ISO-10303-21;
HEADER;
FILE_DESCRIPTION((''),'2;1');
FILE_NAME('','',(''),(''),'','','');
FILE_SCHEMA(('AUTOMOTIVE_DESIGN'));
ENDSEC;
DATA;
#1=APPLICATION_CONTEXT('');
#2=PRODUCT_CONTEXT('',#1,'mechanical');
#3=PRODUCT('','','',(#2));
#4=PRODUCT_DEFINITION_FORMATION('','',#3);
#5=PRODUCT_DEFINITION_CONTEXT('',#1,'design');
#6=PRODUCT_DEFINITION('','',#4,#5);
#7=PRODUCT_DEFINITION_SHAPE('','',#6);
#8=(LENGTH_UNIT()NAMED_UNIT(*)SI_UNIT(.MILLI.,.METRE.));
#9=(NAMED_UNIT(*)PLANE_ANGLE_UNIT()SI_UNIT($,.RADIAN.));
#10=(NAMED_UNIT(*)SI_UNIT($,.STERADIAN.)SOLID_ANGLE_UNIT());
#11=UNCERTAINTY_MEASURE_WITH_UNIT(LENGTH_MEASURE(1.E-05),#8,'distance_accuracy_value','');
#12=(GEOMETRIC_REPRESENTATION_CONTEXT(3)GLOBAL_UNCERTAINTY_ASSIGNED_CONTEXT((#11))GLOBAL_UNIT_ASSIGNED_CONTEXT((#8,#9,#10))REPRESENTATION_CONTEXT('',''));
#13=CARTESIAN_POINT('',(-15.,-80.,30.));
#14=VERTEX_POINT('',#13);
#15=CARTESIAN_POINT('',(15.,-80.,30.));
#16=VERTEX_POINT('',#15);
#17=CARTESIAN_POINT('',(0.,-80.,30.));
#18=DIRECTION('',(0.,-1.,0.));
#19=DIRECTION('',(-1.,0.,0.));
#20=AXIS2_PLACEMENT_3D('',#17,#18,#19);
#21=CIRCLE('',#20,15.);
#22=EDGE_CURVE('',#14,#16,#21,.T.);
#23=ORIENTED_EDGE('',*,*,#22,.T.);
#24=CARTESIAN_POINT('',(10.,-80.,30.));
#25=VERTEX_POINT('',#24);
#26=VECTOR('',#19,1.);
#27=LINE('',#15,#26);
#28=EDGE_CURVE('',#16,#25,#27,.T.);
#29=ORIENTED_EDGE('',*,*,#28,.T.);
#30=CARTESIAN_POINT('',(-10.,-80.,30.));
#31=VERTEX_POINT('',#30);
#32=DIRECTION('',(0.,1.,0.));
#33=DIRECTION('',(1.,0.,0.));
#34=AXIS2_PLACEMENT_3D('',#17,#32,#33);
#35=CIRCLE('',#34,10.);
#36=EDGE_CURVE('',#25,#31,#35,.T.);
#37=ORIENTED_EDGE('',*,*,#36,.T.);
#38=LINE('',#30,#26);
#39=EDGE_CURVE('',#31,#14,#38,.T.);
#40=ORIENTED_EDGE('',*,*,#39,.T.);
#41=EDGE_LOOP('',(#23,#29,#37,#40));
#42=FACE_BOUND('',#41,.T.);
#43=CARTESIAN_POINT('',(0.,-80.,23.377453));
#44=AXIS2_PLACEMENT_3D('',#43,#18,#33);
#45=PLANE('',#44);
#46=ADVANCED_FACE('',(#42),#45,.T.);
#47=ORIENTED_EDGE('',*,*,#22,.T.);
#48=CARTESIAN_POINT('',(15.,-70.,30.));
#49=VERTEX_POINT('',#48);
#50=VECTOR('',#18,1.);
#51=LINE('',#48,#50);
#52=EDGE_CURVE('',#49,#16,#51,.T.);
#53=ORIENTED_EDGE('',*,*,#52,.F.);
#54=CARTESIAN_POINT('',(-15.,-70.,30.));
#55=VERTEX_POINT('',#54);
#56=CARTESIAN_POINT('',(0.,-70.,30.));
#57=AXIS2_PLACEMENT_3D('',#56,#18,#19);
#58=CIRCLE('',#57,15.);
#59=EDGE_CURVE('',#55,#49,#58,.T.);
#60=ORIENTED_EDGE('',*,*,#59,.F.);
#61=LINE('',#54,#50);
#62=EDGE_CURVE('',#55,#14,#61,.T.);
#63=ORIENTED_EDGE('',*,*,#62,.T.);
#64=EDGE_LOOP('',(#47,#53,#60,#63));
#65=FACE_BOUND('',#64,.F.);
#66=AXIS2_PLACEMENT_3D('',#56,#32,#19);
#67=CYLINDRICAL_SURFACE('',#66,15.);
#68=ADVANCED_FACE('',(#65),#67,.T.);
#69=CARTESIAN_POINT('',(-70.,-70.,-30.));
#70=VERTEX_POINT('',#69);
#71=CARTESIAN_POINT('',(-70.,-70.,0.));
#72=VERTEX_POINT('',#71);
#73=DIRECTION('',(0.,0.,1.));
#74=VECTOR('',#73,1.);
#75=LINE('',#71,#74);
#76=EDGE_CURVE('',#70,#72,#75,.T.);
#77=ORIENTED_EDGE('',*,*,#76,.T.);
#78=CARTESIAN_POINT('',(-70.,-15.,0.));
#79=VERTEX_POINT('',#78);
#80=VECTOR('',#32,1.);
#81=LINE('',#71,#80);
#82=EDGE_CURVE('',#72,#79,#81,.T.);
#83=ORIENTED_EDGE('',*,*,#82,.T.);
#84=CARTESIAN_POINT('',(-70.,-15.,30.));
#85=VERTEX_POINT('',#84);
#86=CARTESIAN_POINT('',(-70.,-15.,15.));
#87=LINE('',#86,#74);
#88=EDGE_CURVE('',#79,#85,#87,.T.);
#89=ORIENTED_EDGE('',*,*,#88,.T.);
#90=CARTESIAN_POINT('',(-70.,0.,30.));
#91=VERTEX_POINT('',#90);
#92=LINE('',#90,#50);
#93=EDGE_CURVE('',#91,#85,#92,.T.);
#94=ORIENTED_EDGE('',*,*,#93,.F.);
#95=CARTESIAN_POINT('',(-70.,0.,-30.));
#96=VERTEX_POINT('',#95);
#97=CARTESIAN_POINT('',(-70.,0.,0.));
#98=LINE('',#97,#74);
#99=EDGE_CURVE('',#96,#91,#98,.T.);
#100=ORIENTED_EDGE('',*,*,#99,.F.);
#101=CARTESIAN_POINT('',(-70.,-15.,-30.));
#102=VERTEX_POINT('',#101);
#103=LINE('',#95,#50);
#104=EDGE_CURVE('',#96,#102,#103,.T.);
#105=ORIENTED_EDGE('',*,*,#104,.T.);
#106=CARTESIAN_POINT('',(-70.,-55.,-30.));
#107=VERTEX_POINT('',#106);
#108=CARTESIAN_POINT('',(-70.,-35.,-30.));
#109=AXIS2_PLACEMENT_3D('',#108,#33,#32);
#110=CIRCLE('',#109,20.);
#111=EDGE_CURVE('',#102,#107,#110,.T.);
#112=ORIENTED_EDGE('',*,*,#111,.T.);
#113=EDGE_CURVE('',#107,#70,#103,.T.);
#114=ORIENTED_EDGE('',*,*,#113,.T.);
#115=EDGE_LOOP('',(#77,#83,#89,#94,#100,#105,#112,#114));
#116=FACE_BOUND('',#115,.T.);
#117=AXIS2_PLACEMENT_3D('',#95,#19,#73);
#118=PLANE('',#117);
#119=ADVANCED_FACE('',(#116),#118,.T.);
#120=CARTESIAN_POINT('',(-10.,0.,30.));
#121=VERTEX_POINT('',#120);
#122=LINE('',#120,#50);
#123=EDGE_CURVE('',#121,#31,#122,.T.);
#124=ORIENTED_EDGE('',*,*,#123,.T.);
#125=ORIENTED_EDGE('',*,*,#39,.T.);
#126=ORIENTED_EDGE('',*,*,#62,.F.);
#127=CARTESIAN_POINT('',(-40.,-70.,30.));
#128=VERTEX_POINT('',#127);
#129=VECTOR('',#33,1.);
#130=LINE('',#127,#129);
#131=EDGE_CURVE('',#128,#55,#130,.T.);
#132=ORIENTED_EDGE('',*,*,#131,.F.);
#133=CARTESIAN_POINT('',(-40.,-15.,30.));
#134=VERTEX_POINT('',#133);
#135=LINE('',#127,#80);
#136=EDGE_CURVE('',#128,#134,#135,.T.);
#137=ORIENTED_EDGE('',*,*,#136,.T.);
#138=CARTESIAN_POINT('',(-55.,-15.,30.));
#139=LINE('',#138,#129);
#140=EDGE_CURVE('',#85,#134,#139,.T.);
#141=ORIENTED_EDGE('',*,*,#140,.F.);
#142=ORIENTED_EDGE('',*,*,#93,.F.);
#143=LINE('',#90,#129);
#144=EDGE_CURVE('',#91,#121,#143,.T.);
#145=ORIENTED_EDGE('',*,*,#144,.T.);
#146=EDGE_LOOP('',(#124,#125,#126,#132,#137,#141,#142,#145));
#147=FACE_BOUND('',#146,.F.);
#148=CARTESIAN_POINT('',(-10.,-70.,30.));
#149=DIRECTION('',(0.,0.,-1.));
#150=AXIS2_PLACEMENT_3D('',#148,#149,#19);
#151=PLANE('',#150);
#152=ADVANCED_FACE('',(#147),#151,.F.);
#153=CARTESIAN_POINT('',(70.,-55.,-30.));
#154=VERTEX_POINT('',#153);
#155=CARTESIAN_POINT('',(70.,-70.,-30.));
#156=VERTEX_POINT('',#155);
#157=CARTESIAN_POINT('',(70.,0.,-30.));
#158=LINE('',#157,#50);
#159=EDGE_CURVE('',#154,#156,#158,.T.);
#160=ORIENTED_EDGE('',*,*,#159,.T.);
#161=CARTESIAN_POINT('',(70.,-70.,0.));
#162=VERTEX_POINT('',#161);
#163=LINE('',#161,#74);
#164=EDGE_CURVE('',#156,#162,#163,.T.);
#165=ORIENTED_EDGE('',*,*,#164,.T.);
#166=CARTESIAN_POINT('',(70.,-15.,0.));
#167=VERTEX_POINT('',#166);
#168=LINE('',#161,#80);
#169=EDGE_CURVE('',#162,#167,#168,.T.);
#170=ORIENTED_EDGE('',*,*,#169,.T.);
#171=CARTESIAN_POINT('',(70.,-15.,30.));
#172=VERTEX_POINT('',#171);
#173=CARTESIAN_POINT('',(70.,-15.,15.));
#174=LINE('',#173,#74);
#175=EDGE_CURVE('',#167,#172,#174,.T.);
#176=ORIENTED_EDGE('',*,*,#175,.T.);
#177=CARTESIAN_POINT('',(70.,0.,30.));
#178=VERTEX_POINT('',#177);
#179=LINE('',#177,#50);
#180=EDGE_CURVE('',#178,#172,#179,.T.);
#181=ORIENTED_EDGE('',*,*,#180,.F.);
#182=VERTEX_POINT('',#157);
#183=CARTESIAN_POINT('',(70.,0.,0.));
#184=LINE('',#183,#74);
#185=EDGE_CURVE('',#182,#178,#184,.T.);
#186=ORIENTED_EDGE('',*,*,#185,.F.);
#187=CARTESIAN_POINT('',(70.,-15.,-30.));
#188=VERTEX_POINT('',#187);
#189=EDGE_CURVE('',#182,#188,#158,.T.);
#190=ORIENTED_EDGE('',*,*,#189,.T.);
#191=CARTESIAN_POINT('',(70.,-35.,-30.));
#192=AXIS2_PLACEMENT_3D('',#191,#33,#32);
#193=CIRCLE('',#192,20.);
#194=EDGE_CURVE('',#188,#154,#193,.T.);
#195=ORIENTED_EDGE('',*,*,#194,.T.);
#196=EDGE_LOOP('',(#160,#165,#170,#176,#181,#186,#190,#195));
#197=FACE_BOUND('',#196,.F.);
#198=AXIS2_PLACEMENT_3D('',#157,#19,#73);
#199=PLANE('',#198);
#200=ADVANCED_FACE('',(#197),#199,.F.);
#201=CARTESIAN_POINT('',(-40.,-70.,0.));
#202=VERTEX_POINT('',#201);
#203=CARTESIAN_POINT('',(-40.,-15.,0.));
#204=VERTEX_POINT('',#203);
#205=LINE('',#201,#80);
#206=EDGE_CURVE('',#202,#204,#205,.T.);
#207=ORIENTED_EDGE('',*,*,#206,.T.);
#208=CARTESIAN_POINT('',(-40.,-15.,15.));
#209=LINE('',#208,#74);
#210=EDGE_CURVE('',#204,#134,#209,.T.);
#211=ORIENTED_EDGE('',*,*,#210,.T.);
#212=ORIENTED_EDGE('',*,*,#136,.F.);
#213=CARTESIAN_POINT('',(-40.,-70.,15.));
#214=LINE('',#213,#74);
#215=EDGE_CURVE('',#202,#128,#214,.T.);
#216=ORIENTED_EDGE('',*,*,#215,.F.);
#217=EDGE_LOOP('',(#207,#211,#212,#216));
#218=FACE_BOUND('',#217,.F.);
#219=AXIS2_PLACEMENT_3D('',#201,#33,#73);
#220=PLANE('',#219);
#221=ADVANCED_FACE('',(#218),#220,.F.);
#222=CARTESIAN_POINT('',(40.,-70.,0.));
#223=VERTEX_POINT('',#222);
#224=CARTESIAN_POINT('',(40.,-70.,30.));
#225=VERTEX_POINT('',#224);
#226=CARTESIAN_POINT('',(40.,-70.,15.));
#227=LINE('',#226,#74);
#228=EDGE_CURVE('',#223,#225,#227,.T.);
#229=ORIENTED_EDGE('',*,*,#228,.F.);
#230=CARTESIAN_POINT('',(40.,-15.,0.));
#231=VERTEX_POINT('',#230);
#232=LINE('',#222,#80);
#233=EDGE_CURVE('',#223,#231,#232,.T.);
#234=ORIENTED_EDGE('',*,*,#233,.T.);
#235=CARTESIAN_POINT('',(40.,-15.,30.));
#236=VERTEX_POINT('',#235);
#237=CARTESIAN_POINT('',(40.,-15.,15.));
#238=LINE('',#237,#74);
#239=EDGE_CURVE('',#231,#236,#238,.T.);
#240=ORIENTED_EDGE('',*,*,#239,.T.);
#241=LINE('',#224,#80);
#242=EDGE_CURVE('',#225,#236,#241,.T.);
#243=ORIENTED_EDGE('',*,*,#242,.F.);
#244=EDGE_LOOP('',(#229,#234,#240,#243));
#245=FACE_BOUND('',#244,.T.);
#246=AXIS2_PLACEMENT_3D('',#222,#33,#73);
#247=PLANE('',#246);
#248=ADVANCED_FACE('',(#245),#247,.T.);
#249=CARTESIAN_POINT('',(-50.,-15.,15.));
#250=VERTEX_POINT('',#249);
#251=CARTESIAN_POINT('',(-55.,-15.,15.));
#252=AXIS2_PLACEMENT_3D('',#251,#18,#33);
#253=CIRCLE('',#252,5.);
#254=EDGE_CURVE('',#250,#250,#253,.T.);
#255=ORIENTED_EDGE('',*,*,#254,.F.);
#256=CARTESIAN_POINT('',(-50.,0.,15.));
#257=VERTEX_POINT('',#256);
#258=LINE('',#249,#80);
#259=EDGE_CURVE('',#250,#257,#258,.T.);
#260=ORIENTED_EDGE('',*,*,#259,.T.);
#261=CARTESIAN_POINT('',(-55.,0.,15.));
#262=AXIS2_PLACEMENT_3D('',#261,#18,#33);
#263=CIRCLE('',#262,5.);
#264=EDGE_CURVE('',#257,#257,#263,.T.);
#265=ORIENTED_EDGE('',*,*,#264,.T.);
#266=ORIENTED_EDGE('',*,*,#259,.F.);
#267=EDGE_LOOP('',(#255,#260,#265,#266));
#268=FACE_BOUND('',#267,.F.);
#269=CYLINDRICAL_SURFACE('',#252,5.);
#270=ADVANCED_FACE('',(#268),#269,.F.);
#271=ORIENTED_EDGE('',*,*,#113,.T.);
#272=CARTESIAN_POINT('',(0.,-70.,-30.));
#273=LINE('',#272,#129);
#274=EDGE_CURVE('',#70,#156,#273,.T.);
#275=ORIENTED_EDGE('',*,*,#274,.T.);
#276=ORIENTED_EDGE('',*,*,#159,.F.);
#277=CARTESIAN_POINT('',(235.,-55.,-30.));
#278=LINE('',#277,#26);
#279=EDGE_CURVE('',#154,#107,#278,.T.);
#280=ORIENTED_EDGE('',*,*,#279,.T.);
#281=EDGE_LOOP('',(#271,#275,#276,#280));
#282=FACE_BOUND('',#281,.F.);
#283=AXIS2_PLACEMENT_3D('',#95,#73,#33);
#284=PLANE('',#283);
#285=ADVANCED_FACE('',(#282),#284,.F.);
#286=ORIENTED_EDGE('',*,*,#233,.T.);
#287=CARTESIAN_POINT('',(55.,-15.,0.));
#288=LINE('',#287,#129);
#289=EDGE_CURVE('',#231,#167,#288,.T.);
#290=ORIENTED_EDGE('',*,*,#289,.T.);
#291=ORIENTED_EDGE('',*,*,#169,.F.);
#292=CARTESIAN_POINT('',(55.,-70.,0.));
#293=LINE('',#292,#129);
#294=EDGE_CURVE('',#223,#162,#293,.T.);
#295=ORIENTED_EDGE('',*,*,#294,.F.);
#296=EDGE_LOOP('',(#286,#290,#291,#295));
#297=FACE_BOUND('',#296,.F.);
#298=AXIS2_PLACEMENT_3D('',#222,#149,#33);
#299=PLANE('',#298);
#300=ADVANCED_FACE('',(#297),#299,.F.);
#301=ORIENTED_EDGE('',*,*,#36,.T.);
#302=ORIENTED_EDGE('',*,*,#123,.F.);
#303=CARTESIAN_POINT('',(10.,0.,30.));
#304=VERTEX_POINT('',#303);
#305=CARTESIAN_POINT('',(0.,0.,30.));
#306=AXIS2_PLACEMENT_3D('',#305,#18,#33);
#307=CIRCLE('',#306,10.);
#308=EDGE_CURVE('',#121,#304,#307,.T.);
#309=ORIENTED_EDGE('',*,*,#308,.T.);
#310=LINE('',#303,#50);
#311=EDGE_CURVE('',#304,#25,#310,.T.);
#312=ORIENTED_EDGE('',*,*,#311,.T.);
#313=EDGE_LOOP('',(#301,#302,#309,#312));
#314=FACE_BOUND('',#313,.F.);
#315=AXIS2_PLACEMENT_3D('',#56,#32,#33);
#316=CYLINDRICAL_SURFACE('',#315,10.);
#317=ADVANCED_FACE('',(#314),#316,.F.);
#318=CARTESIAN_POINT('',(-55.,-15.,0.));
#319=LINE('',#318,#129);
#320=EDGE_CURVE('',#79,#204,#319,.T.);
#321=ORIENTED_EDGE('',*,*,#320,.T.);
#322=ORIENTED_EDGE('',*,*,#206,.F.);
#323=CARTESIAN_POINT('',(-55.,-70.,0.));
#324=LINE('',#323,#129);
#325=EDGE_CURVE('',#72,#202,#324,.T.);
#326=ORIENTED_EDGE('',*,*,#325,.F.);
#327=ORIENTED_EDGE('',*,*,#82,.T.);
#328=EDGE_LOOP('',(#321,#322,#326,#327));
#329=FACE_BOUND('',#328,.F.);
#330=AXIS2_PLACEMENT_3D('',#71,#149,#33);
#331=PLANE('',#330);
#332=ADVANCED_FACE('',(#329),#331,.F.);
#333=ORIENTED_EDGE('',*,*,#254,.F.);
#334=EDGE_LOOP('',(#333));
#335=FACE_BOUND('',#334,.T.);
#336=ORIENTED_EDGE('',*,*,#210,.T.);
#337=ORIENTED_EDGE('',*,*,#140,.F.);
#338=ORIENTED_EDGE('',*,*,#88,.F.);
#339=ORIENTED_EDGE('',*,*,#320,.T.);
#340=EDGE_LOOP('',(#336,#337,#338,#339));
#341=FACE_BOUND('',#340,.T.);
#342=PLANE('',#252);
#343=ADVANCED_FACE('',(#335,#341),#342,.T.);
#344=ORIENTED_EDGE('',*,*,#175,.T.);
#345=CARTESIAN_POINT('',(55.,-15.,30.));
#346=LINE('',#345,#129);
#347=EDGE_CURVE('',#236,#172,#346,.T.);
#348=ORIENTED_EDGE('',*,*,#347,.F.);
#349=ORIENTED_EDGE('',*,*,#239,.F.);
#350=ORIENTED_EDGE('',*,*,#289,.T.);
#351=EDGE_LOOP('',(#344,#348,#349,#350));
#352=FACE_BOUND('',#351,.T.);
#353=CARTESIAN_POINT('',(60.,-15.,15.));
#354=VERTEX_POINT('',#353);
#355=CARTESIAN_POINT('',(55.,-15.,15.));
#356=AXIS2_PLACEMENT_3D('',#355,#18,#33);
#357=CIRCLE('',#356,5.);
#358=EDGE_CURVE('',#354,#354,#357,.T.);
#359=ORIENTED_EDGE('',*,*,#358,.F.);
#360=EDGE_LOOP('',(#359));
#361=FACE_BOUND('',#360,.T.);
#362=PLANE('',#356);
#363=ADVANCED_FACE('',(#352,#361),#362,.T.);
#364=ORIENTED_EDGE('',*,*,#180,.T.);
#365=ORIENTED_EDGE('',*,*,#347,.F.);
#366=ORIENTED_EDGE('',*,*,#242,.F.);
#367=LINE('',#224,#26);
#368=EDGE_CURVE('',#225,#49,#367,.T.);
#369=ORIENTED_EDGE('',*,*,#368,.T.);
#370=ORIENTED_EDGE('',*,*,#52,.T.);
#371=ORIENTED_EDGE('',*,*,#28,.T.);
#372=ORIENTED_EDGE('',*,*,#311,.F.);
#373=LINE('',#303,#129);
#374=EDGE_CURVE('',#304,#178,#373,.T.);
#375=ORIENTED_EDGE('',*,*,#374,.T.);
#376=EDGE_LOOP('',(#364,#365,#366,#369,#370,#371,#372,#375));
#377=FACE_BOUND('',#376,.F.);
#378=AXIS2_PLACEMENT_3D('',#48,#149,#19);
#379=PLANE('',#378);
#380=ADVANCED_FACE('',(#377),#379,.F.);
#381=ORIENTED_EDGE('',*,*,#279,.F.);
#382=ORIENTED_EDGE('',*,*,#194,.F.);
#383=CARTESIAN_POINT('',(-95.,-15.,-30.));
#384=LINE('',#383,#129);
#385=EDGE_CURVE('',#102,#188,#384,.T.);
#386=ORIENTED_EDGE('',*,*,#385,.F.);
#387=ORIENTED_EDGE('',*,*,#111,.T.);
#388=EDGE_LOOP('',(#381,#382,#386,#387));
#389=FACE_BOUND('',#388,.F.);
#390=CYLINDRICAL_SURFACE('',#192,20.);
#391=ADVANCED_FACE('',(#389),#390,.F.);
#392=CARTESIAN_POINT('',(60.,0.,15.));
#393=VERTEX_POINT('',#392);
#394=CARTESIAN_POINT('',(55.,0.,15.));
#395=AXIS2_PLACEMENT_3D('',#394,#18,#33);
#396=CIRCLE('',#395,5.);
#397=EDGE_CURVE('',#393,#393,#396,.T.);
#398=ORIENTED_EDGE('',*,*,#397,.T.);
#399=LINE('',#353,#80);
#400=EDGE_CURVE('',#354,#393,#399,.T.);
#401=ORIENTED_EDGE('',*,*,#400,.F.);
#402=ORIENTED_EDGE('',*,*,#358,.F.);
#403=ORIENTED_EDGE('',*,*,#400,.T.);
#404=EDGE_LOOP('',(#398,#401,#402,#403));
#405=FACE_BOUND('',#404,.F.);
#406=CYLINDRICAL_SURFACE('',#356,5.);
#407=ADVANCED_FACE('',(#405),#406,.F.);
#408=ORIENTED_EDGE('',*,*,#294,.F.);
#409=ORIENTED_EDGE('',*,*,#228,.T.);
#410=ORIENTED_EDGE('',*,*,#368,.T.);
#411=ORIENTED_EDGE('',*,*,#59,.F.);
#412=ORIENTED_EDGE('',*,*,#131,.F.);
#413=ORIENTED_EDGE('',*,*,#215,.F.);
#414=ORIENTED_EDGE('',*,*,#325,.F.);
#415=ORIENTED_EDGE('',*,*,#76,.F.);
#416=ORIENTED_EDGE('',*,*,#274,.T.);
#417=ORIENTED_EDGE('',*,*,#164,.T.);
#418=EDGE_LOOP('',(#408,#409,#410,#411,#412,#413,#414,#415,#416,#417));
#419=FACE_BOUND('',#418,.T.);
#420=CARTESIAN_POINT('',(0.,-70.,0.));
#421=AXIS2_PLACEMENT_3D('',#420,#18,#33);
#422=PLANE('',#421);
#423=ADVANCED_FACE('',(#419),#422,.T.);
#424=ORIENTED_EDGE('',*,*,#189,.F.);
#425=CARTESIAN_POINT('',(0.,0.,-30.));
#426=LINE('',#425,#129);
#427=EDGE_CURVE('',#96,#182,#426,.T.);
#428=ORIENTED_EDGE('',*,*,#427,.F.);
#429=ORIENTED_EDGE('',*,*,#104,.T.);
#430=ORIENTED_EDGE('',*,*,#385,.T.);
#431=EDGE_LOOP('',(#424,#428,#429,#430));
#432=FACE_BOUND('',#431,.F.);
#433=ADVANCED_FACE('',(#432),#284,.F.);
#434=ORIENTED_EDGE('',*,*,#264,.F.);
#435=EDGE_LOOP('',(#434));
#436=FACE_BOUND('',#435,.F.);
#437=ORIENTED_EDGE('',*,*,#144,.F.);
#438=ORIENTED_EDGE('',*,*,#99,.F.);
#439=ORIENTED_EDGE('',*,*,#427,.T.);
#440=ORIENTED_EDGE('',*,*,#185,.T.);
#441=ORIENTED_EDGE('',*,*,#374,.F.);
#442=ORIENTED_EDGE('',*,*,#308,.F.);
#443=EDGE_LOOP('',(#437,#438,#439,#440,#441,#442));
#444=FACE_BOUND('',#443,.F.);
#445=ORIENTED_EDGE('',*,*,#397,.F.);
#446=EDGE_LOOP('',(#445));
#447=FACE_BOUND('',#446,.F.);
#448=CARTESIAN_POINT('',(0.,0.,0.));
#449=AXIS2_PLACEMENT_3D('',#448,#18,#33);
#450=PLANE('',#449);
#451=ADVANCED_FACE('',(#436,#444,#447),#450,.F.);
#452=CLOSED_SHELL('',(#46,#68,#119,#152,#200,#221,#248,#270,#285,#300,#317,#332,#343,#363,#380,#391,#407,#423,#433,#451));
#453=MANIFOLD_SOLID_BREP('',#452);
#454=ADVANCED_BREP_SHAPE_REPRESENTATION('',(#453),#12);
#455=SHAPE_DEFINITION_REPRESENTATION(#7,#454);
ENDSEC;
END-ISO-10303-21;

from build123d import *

# Parameters (mm, degrees)
F0_W      = 140
F0_H      = 60
F1_DEPTH  = 70
F3_DEPTH  = 165
F4_W      = 30
F4_H      = 30
F5_DEPTH  = 55
F6_W      = 30
F6_H      = 30
F7_DEPTH  = 55
F8_R      = 5
F9_DEPTH  = 40
F10_R     = 5
F11_DEPTH = 40
F13_DEPTH = 100
F14_DEPTH = 10


with BuildPart() as f1:
    # F0 (on Front) → F1 (new body)
    with BuildSketch(Plane.XZ):
        Rectangle(F0_W, F0_H)
    extrude(amount=F1_DEPTH)

    # F2 (on face) → F3 (cut, symmetric)
    with BuildSketch(Plane.YZ.offset(70)):
        with BuildLine():
            Line((-55, -30), (-15, -30))
            ThreePointArc((-15, -30), (-35, -10), (-55, -30))
        make_face()
    extrude(amount=F3_DEPTH, both=True, mode=Mode.SUBTRACT)

    # F4 (on face) → F5 (cut)
    with BuildSketch(Plane.XZ.offset(70)):
        with Locations((55, 15)):
            Rectangle(F4_W, F4_H)
    extrude(amount=-F5_DEPTH, mode=Mode.SUBTRACT)

    # F6 (on face) → F7 (cut)
    with BuildSketch(Plane.XZ.offset(70)):
        with Locations((-55, 15)):
            Rectangle(F6_W, F6_H)
    extrude(amount=-F7_DEPTH, mode=Mode.SUBTRACT)

    # F8 (on face) → F9 (cut)
    with BuildSketch(Plane.XZ.offset(15)):
        with Locations((55, 15)):
            Circle(F8_R)
    extrude(amount=-F9_DEPTH, mode=Mode.SUBTRACT)

    # F10 (on face) → F11 (cut)
    with BuildSketch(Plane.XZ.offset(15)):
        with Locations((-55, 15)):
            Circle(F10_R)
    extrude(amount=-F11_DEPTH, mode=Mode.SUBTRACT)

    # F12 (on face) → F13 (cut)
    with BuildSketch(Plane.XZ.offset(70)):
        with BuildLine():
            ThreePointArc((-10, 30), (0, 20), (10, 30))
            Line((10, 30), (-10, 30))
        make_face()
        with BuildLine():
            Line((-10, 30), (10, 30))
            ThreePointArc((10, 30), (0, 40), (-10, 30))
        make_face()
        with BuildLine():
            ThreePointArc((-10, 30), (0, 40), (10, 30))
            Line((10, 30), (15, 30))
            ThreePointArc((15, 30), (0, 45), (-15, 30))
            Line((-15, 30), (-10, 30))
        make_face()
    extrude(amount=-F13_DEPTH, mode=Mode.SUBTRACT)

    # F12 (on face) → F14 (join)
    with BuildSketch(Plane.XZ.offset(70)):
        with BuildLine():
            Line((15, 30), (10, 30))
            ThreePointArc((10, 30), (0, 20), (-10, 30))
            Line((-10, 30), (-15, 30))
            ThreePointArc((-15, 30), (0, 15), (15, 30))
        make_face()
    extrude(amount=F14_DEPTH)


solid = f1.part
